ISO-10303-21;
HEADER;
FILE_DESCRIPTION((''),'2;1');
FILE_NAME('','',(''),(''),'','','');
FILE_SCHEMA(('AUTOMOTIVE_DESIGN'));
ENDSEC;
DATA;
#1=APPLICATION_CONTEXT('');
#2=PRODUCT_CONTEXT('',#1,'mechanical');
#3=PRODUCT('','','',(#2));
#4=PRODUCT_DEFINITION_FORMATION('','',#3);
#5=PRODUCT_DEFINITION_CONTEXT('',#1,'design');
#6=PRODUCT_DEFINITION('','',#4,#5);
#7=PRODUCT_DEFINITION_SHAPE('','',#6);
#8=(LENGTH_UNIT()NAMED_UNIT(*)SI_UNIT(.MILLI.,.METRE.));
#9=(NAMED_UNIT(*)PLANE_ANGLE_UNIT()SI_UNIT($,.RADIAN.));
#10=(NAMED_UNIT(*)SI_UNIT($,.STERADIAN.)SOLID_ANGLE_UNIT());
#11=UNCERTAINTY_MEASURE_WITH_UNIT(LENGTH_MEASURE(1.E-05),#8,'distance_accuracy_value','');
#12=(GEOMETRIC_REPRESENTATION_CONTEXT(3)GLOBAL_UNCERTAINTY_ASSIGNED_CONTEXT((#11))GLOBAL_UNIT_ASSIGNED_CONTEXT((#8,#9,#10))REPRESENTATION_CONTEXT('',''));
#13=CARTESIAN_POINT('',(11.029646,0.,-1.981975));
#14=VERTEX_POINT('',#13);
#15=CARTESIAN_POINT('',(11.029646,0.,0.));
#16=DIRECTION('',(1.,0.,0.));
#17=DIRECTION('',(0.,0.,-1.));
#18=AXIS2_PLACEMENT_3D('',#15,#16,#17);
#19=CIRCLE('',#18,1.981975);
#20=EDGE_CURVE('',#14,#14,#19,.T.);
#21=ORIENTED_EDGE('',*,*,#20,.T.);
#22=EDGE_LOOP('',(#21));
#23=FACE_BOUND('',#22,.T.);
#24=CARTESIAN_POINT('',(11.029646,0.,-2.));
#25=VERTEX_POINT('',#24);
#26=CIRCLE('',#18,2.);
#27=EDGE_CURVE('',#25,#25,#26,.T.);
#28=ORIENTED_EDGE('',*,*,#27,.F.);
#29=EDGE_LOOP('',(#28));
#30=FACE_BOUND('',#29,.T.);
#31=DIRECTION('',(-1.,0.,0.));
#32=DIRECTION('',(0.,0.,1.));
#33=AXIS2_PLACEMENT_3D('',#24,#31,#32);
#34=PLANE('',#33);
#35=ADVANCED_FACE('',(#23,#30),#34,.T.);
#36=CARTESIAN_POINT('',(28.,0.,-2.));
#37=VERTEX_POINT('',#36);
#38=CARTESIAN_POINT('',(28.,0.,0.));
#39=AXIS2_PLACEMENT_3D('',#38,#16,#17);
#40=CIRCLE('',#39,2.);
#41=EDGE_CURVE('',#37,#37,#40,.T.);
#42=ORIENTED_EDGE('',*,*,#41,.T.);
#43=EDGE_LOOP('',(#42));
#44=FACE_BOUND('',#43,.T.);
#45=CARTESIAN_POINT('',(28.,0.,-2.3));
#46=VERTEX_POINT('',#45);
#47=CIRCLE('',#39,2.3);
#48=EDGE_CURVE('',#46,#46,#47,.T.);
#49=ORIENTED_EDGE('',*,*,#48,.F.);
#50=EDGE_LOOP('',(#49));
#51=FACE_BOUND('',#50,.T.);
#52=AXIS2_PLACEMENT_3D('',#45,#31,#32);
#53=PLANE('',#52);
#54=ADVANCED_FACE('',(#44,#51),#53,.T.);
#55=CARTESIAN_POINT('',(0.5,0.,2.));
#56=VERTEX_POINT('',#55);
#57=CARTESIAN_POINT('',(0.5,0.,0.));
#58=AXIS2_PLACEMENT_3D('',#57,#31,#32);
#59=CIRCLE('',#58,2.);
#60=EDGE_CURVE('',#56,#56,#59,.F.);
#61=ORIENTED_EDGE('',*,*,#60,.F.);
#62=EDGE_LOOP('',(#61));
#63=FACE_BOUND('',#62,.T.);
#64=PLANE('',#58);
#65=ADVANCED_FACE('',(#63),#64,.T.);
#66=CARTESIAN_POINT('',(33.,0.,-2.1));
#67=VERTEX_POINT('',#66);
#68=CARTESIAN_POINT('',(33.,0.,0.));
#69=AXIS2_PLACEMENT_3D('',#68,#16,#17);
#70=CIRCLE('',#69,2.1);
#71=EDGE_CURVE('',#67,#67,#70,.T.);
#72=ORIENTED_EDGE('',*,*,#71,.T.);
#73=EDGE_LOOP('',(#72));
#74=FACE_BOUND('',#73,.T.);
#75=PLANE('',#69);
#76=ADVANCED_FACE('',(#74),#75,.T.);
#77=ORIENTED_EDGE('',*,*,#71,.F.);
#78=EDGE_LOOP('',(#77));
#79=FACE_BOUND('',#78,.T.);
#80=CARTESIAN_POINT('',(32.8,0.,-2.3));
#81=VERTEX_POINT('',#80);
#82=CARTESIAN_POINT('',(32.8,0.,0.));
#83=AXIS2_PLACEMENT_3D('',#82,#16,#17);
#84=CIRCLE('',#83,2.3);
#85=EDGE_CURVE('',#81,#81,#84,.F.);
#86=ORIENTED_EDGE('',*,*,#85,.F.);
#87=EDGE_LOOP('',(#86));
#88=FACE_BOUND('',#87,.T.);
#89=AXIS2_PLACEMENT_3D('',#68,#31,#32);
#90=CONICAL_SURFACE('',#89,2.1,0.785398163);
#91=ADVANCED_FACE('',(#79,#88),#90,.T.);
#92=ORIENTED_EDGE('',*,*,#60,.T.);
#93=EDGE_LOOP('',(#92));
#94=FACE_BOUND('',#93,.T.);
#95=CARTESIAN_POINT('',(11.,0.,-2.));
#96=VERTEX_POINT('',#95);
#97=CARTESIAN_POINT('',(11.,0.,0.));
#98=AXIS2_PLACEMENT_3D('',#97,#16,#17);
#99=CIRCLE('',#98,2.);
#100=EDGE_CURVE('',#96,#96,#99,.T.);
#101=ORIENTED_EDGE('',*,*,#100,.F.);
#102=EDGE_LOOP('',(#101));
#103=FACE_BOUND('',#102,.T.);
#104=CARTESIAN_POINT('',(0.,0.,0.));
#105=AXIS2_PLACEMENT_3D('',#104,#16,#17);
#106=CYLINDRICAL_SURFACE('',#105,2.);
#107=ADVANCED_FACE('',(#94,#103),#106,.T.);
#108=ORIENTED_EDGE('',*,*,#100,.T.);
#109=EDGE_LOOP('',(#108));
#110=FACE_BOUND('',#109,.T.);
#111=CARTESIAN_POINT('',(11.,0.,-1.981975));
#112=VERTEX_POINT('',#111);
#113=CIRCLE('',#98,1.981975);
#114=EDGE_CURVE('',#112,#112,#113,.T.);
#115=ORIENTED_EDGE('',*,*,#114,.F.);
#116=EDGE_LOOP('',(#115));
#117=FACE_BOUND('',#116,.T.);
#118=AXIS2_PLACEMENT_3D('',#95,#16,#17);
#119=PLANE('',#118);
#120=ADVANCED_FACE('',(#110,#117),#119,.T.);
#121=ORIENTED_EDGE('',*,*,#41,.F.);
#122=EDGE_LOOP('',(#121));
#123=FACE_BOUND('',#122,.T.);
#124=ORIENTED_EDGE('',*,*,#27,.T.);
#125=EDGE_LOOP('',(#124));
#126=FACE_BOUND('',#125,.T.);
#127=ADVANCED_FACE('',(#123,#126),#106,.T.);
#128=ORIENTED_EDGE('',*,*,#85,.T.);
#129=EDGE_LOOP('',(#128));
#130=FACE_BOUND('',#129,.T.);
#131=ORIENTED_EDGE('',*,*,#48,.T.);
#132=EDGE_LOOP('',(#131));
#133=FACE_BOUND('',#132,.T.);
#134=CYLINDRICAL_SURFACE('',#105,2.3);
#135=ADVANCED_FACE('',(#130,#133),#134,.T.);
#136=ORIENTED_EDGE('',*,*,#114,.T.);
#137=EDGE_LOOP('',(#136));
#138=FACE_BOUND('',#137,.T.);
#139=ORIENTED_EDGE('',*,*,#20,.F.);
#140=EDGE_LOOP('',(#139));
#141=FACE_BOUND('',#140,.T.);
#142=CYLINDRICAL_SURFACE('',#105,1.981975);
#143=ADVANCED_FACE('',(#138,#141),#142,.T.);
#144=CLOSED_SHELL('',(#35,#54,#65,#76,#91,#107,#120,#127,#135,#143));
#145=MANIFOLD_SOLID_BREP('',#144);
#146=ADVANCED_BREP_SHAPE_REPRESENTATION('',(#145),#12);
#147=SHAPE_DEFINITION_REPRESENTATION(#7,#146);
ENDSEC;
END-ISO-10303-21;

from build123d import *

# Parameters (mm, degrees)
CHANFRO1_SIZE         = 0.2
ESBO_O5_R             = 2.627342907
CORTE_EXTRUS_O1_DEPTH = 0.5


with BuildPart() as part:
    # Esboço1 → Revolução1 (revolve)
    with BuildSketch(Plane(origin=(0, 0, 0), x_dir=(1, 0, 0), z_dir=(0, 1, 0))):
        Polygon((0, 0), (33, 0), (33, 2.3), (28, 2.3), (28, 2), (11.029645727, 2), (11.029645727, 1.981975223), (11, 1.981975223), (11, 2), (0, 2), align=None)
    revolve(axis=Axis((0, 0, 0), (-1, 0, 0)))

    # Chanfro1
    chanfro1_edges = [part.edges().sort_by_distance(p)[0] for p in [
        (33, 0, 2.3),
    ]]
    chamfer(chanfro1_edges, length=CHANFRO1_SIZE)

    # Esboço5 → Corte-extrusão1 (cut)
    with BuildSketch(Plane.ZY):
        Circle(ESBO_O5_R)
    extrude(amount=-CORTE_EXTRUS_O1_DEPTH, mode=Mode.SUBTRACT)


solid = part.part
